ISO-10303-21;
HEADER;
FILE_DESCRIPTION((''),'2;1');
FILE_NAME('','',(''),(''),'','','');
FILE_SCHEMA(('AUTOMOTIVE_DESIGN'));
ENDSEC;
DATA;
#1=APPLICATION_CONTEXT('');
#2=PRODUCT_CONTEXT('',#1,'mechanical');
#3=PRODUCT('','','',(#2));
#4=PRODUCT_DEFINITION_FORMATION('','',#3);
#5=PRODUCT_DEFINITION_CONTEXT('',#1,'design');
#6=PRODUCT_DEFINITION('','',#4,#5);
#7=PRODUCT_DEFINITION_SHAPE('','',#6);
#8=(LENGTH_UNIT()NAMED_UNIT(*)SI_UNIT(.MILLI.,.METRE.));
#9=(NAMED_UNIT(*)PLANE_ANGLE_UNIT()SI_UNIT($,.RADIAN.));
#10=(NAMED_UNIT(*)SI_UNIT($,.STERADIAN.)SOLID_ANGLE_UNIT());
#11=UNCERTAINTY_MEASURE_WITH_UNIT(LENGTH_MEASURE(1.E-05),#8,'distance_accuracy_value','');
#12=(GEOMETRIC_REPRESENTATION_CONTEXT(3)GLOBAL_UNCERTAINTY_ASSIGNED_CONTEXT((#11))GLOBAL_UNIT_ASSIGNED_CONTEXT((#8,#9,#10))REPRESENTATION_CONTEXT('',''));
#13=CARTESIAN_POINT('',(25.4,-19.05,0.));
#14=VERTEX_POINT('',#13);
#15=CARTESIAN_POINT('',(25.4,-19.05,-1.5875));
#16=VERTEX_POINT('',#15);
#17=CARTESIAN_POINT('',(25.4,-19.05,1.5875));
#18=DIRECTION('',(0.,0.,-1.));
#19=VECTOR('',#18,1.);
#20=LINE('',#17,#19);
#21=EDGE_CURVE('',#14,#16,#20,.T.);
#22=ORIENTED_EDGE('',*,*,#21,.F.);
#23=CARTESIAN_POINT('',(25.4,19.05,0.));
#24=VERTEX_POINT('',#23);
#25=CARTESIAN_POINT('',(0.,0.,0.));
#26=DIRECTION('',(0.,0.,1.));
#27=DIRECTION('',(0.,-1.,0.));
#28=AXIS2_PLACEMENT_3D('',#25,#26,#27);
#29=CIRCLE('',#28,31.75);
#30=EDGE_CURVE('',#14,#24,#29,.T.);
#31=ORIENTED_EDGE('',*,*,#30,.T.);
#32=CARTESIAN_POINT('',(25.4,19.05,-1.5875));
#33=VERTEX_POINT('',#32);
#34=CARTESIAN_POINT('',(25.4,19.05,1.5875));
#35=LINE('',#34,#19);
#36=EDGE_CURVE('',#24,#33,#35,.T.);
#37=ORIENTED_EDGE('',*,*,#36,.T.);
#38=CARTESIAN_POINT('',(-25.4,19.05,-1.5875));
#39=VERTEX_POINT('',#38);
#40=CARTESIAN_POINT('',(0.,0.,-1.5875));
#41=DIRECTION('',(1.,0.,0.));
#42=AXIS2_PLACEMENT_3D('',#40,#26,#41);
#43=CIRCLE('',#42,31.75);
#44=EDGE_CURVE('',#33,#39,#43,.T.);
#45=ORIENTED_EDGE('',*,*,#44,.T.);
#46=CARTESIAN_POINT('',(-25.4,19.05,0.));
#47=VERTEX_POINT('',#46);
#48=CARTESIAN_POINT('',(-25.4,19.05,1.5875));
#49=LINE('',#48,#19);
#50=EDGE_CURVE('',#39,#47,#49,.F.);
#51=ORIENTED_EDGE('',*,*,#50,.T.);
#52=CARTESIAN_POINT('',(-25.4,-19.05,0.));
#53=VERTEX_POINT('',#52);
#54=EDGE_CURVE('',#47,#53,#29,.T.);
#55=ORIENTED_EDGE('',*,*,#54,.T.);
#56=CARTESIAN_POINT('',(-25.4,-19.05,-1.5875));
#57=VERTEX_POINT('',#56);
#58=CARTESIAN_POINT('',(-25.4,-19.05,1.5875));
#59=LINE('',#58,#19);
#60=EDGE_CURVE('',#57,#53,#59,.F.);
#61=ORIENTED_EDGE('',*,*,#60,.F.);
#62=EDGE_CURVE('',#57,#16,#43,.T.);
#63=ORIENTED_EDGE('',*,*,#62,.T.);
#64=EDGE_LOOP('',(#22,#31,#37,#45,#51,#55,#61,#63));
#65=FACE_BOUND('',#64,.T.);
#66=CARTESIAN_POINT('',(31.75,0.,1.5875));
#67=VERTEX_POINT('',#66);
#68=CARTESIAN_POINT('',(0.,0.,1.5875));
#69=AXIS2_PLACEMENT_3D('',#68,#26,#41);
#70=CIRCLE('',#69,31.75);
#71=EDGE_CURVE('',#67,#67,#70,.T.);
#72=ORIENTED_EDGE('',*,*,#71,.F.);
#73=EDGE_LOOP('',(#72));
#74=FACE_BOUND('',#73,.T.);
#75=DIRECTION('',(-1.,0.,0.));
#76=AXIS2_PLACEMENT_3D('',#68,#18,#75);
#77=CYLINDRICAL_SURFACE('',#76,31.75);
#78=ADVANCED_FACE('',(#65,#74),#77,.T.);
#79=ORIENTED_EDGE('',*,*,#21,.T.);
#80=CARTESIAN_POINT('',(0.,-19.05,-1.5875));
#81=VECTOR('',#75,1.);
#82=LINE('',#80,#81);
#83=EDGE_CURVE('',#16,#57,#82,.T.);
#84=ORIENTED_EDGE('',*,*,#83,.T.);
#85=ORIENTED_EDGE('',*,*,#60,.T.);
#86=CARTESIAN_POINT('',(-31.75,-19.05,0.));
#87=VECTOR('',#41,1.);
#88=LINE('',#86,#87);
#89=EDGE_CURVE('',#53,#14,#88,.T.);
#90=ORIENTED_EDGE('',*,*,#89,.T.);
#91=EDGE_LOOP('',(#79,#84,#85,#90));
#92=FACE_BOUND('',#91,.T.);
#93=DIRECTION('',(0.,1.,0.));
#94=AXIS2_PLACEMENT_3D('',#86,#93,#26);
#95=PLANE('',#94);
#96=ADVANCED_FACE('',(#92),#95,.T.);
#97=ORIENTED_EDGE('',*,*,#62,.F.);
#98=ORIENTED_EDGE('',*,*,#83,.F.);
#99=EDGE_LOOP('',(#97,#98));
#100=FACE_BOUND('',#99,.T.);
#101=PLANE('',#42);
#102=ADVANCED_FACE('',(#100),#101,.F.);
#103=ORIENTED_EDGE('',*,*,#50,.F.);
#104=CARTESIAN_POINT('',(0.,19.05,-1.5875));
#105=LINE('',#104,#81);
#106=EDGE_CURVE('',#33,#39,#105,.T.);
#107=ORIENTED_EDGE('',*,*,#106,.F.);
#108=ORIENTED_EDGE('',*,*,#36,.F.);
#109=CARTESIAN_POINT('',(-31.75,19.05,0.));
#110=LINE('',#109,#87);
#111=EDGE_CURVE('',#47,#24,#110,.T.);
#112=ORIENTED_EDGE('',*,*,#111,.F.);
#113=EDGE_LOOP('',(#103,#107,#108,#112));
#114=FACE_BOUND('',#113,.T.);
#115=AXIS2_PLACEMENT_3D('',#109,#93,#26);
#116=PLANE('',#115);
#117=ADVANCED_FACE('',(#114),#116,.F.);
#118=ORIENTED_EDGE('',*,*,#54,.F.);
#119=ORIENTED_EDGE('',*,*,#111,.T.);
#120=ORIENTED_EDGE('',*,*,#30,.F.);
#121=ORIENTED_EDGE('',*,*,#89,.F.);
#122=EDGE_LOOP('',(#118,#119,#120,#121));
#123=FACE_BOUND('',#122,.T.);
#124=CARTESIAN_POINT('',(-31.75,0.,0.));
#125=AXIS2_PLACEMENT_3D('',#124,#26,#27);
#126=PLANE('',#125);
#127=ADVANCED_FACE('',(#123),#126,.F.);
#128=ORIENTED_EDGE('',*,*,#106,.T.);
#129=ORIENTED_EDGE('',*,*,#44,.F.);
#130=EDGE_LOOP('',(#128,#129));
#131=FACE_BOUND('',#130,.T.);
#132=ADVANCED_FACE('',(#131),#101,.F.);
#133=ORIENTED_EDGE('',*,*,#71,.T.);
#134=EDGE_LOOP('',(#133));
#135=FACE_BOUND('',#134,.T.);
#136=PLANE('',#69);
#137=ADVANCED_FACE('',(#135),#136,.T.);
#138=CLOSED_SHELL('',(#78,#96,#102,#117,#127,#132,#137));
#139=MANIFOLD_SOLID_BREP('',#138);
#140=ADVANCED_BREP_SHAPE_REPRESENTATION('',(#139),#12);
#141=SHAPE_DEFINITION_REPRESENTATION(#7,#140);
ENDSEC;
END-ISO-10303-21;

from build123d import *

# Parameters (mm, degrees)
SKETCH1_R    = 31.75
BASE_DEPTH   = 1.5875
TRENCH_DEPTH = 31.75


with BuildPart() as part:
    # Sketch1 → Base (new body, symmetric)
    with BuildSketch(Plane.XY):
        Circle(SKETCH1_R)
    extrude(amount=BASE_DEPTH, both=True)

    # Sketch5 → Trench (cut, symmetric)
    with BuildSketch(Plane(origin=(0, 0, 0), x_dir=(0, 0, -1), z_dir=(1, 0, 0))):
        with BuildLine():
            Line((0, -19.05), (1.5875, -19.05))
            ThreePointArc((1.5875, -19.05), (0.397561674, -9.558016141), (0, -8.92e-07))
            Line((0, -8.92e-07), (0, -19.05))
        make_face()
        with BuildLine():
            ThreePointArc((0, -8.92e-07), (0.3975616, 9.558015252), (1.5875, 19.05))
            Line((1.5875, 19.05), (0, 19.05))
            Line((0, 19.05), (0, -8.92e-07))
        make_face()
        with BuildLine():
            Line((1.5875, 19.05), (1.5875, -19.05))
            ThreePointArc((1.5875, -19.05), (0, 0), (1.5875, 19.05))
        make_face()
    extrude(amount=TRENCH_DEPTH, both=True, mode=Mode.SUBTRACT)


solid = part.part
